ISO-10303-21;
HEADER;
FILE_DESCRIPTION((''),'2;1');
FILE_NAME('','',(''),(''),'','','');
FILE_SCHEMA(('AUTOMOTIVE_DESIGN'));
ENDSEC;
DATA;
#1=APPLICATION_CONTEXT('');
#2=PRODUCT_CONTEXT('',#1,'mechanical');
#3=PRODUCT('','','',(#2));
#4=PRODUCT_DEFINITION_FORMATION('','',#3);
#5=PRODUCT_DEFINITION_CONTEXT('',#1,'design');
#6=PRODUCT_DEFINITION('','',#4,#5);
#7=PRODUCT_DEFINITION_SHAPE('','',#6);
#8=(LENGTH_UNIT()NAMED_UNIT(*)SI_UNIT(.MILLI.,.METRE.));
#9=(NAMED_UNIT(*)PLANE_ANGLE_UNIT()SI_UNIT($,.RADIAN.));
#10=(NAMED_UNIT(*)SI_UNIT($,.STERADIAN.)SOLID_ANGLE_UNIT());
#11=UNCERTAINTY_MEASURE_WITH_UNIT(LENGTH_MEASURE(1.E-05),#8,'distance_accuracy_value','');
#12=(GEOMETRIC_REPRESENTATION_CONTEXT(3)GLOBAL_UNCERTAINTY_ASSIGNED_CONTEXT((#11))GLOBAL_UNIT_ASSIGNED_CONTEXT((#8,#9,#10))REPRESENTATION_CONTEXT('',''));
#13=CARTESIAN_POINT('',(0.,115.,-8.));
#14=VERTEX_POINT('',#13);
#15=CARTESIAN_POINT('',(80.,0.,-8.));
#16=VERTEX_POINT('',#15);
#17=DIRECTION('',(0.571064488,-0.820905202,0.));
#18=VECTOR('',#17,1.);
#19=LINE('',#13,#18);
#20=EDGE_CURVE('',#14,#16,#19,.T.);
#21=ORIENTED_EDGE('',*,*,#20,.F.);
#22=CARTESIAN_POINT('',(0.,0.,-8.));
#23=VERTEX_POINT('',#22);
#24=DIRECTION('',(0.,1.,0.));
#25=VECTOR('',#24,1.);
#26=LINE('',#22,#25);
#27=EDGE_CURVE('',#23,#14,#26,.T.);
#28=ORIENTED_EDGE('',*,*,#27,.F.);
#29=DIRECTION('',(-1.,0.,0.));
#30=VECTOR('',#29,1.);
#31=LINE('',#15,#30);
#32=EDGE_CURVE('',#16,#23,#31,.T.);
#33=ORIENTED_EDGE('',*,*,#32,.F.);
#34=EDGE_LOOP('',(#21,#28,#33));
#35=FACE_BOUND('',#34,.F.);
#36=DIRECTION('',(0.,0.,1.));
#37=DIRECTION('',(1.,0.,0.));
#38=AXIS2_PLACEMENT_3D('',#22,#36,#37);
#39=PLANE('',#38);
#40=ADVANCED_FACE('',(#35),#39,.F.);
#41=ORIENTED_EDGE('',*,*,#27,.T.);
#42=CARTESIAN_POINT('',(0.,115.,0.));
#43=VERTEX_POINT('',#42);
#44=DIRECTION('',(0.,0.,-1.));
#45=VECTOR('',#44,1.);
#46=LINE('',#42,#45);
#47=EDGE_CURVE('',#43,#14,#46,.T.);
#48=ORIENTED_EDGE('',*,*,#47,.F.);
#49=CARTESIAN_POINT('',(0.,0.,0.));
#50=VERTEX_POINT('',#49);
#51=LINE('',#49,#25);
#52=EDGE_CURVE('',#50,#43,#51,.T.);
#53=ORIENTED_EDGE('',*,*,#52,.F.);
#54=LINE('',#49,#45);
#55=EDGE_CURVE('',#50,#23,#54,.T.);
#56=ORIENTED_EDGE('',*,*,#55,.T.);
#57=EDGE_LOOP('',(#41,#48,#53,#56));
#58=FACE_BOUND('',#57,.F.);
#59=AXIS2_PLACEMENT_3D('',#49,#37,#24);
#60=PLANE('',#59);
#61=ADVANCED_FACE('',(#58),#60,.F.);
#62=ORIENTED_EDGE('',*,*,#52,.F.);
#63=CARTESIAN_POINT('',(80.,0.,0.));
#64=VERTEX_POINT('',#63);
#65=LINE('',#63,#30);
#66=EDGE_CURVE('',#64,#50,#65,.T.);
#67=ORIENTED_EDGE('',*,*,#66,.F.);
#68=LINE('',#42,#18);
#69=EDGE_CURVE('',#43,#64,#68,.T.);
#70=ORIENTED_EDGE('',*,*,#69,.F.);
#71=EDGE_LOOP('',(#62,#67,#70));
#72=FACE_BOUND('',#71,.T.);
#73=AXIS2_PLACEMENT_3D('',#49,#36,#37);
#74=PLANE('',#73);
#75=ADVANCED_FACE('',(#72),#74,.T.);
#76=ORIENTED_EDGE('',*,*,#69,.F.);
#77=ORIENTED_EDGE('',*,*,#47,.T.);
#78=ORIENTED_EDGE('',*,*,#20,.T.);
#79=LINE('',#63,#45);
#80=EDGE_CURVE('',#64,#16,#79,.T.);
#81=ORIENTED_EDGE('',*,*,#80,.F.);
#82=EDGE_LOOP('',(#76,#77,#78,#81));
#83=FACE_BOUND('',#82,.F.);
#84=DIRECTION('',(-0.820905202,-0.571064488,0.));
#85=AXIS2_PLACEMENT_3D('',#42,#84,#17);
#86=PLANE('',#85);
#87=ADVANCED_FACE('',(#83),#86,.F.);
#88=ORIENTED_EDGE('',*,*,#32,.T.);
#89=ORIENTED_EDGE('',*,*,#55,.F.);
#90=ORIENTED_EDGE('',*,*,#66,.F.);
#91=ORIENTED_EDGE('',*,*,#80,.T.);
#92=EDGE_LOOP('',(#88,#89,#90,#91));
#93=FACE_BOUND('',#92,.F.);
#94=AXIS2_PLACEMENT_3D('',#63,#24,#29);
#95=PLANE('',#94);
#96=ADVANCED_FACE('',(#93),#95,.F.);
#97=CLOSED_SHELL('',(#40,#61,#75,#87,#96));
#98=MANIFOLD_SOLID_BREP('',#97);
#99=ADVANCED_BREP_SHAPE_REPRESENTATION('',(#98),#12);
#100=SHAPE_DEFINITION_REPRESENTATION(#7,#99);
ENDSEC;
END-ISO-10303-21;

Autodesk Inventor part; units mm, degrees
ref_plane "YZ Plane" through (0, 0, 0) normal (1, 0, 0) x (0, 1, 0)
ref_plane "XZ Plane" through (0, 0, 0) normal (0, 1, 0) x (-1, 0, 0)
ref_plane "XY Plane" through (0, 0, 0) normal (0, 0, 1) x (1, 0, 0)
sketch "Sketch1" plane through (0, 0, 0) normal (0, 0, 1) x (1, 0, 0)
  line L0 (0, 0) -> (0, 115)
  line L1 (0, 115) -> (80, 0)
  line L2 (80, 0) -> (0, 0)
  dimension "d0" = 115
  dimension "d1" = 80
extrude "Extrusion1" add sketch "Sketch1" against normal blind 8
properties part number "BRACKET GUSSET"
